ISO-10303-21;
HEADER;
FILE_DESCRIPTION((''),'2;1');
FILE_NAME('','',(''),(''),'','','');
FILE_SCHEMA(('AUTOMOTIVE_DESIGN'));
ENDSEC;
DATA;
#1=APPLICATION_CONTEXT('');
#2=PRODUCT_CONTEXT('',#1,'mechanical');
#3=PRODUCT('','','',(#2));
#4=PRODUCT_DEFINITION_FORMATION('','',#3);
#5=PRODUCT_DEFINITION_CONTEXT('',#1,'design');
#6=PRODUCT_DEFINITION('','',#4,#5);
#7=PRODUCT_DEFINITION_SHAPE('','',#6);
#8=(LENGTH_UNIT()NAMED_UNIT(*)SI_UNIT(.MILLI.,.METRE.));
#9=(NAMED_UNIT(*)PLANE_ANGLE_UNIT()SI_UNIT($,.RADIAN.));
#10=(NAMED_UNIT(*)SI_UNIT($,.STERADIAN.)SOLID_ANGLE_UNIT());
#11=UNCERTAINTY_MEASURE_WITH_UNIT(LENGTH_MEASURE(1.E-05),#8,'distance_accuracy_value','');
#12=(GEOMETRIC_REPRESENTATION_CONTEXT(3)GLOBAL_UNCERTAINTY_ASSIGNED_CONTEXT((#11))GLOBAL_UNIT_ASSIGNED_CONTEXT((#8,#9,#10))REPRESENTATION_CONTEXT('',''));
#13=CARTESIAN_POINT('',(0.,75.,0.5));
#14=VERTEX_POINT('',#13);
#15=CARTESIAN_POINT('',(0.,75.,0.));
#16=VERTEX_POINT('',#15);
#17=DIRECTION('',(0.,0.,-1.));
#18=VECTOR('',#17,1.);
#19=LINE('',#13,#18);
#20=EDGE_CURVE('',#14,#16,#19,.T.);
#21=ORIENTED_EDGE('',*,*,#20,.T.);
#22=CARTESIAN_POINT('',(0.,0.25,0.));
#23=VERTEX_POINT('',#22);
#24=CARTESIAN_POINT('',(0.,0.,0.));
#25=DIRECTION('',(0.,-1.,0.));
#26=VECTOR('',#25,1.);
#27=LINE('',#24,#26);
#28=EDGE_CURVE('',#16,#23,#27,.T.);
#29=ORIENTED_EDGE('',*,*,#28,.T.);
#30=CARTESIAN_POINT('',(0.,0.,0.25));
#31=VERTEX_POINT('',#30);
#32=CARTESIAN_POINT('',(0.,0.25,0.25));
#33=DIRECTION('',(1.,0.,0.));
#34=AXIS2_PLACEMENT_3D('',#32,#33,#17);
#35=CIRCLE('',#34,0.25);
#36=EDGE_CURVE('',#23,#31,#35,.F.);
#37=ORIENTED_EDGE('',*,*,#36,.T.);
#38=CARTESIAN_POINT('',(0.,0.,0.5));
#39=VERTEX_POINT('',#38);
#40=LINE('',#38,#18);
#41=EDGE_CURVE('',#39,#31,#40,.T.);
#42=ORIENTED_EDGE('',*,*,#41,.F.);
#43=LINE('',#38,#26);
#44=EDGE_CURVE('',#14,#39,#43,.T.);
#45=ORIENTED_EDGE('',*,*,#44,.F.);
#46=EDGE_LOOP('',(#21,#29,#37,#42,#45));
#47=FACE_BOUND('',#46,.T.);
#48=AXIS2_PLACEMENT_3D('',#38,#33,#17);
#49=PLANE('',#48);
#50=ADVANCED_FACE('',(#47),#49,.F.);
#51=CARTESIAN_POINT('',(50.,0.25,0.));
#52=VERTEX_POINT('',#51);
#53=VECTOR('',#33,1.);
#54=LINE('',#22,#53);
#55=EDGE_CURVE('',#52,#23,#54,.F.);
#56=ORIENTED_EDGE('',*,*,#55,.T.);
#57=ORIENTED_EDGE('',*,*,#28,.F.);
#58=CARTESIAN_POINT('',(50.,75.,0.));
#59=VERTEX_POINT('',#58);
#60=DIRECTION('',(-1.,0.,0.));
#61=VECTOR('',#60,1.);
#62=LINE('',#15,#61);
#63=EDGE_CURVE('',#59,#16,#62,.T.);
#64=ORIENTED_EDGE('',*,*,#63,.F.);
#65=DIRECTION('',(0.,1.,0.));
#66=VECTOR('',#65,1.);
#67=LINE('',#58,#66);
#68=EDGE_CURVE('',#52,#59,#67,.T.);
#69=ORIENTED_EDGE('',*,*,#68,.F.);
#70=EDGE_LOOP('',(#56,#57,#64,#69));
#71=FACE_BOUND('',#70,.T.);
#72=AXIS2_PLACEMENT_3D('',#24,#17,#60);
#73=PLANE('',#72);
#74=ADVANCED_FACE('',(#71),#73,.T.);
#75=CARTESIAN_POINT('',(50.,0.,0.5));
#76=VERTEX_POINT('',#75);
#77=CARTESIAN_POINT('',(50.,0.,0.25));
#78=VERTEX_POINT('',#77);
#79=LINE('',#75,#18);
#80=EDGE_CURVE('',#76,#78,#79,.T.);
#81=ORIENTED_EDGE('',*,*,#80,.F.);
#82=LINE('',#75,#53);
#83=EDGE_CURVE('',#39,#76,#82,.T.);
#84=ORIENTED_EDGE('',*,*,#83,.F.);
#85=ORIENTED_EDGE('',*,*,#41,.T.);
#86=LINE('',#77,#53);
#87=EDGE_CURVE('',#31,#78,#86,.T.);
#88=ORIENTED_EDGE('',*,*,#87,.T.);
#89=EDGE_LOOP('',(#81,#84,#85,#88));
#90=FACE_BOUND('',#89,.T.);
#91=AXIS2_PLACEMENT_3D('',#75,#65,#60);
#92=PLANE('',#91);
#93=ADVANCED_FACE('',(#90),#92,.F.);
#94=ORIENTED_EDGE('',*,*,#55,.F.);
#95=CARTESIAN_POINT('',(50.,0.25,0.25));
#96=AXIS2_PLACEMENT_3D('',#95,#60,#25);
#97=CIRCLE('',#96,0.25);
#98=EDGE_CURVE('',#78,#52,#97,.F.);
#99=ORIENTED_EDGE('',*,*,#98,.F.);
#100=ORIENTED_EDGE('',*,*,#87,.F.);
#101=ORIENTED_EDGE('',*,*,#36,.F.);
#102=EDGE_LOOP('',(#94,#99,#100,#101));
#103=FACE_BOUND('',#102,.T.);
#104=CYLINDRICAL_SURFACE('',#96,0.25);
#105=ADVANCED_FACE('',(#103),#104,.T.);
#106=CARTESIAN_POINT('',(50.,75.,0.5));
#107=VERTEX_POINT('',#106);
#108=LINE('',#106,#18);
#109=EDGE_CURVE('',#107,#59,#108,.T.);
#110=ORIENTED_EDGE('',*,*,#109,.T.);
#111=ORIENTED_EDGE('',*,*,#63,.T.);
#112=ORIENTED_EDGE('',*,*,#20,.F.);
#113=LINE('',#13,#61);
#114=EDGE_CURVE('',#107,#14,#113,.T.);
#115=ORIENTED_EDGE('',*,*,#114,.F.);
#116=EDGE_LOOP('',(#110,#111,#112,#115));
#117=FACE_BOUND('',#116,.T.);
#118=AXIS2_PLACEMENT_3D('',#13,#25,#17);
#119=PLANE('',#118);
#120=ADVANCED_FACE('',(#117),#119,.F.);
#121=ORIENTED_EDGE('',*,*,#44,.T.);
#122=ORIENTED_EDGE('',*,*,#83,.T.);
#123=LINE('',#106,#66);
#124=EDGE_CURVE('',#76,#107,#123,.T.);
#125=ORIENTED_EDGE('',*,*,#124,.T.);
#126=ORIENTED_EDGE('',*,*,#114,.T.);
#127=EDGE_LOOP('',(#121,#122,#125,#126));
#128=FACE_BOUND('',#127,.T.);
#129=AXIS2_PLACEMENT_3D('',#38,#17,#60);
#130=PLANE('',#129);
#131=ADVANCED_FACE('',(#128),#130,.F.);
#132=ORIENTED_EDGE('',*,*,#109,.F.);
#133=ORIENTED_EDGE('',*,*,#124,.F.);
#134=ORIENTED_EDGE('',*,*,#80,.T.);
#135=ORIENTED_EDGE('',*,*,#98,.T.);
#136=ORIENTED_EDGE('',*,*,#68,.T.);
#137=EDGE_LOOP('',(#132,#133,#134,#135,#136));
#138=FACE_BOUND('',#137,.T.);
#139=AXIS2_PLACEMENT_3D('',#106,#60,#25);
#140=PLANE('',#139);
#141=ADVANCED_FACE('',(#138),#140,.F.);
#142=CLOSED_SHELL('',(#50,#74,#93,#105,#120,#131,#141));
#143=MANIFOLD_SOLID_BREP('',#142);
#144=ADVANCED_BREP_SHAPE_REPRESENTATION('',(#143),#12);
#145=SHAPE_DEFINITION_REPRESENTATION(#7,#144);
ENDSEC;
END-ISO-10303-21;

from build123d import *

# Parameters (mm, degrees)
ESQUISSE1_W        = 50
ESQUISSE1_H        = 75
BOSS_EXTRU_1_DEPTH = 0.5
CONG_1_R           = 0.25


with BuildPart() as part:
    # Esquisse1 → Boss.-Extru.1 (new body)
    with BuildSketch(Plane.XY):
        with Locations((25, 37.5)):
            Rectangle(ESQUISSE1_W, ESQUISSE1_H)
    extrude(amount=BOSS_EXTRU_1_DEPTH)

    # Congé1
    cong_1_edges = [part.edges().sort_by_distance(p)[0] for p in [
        (25, 0, 0),
    ]]
    fillet(cong_1_edges, radius=CONG_1_R)


solid = part.part
